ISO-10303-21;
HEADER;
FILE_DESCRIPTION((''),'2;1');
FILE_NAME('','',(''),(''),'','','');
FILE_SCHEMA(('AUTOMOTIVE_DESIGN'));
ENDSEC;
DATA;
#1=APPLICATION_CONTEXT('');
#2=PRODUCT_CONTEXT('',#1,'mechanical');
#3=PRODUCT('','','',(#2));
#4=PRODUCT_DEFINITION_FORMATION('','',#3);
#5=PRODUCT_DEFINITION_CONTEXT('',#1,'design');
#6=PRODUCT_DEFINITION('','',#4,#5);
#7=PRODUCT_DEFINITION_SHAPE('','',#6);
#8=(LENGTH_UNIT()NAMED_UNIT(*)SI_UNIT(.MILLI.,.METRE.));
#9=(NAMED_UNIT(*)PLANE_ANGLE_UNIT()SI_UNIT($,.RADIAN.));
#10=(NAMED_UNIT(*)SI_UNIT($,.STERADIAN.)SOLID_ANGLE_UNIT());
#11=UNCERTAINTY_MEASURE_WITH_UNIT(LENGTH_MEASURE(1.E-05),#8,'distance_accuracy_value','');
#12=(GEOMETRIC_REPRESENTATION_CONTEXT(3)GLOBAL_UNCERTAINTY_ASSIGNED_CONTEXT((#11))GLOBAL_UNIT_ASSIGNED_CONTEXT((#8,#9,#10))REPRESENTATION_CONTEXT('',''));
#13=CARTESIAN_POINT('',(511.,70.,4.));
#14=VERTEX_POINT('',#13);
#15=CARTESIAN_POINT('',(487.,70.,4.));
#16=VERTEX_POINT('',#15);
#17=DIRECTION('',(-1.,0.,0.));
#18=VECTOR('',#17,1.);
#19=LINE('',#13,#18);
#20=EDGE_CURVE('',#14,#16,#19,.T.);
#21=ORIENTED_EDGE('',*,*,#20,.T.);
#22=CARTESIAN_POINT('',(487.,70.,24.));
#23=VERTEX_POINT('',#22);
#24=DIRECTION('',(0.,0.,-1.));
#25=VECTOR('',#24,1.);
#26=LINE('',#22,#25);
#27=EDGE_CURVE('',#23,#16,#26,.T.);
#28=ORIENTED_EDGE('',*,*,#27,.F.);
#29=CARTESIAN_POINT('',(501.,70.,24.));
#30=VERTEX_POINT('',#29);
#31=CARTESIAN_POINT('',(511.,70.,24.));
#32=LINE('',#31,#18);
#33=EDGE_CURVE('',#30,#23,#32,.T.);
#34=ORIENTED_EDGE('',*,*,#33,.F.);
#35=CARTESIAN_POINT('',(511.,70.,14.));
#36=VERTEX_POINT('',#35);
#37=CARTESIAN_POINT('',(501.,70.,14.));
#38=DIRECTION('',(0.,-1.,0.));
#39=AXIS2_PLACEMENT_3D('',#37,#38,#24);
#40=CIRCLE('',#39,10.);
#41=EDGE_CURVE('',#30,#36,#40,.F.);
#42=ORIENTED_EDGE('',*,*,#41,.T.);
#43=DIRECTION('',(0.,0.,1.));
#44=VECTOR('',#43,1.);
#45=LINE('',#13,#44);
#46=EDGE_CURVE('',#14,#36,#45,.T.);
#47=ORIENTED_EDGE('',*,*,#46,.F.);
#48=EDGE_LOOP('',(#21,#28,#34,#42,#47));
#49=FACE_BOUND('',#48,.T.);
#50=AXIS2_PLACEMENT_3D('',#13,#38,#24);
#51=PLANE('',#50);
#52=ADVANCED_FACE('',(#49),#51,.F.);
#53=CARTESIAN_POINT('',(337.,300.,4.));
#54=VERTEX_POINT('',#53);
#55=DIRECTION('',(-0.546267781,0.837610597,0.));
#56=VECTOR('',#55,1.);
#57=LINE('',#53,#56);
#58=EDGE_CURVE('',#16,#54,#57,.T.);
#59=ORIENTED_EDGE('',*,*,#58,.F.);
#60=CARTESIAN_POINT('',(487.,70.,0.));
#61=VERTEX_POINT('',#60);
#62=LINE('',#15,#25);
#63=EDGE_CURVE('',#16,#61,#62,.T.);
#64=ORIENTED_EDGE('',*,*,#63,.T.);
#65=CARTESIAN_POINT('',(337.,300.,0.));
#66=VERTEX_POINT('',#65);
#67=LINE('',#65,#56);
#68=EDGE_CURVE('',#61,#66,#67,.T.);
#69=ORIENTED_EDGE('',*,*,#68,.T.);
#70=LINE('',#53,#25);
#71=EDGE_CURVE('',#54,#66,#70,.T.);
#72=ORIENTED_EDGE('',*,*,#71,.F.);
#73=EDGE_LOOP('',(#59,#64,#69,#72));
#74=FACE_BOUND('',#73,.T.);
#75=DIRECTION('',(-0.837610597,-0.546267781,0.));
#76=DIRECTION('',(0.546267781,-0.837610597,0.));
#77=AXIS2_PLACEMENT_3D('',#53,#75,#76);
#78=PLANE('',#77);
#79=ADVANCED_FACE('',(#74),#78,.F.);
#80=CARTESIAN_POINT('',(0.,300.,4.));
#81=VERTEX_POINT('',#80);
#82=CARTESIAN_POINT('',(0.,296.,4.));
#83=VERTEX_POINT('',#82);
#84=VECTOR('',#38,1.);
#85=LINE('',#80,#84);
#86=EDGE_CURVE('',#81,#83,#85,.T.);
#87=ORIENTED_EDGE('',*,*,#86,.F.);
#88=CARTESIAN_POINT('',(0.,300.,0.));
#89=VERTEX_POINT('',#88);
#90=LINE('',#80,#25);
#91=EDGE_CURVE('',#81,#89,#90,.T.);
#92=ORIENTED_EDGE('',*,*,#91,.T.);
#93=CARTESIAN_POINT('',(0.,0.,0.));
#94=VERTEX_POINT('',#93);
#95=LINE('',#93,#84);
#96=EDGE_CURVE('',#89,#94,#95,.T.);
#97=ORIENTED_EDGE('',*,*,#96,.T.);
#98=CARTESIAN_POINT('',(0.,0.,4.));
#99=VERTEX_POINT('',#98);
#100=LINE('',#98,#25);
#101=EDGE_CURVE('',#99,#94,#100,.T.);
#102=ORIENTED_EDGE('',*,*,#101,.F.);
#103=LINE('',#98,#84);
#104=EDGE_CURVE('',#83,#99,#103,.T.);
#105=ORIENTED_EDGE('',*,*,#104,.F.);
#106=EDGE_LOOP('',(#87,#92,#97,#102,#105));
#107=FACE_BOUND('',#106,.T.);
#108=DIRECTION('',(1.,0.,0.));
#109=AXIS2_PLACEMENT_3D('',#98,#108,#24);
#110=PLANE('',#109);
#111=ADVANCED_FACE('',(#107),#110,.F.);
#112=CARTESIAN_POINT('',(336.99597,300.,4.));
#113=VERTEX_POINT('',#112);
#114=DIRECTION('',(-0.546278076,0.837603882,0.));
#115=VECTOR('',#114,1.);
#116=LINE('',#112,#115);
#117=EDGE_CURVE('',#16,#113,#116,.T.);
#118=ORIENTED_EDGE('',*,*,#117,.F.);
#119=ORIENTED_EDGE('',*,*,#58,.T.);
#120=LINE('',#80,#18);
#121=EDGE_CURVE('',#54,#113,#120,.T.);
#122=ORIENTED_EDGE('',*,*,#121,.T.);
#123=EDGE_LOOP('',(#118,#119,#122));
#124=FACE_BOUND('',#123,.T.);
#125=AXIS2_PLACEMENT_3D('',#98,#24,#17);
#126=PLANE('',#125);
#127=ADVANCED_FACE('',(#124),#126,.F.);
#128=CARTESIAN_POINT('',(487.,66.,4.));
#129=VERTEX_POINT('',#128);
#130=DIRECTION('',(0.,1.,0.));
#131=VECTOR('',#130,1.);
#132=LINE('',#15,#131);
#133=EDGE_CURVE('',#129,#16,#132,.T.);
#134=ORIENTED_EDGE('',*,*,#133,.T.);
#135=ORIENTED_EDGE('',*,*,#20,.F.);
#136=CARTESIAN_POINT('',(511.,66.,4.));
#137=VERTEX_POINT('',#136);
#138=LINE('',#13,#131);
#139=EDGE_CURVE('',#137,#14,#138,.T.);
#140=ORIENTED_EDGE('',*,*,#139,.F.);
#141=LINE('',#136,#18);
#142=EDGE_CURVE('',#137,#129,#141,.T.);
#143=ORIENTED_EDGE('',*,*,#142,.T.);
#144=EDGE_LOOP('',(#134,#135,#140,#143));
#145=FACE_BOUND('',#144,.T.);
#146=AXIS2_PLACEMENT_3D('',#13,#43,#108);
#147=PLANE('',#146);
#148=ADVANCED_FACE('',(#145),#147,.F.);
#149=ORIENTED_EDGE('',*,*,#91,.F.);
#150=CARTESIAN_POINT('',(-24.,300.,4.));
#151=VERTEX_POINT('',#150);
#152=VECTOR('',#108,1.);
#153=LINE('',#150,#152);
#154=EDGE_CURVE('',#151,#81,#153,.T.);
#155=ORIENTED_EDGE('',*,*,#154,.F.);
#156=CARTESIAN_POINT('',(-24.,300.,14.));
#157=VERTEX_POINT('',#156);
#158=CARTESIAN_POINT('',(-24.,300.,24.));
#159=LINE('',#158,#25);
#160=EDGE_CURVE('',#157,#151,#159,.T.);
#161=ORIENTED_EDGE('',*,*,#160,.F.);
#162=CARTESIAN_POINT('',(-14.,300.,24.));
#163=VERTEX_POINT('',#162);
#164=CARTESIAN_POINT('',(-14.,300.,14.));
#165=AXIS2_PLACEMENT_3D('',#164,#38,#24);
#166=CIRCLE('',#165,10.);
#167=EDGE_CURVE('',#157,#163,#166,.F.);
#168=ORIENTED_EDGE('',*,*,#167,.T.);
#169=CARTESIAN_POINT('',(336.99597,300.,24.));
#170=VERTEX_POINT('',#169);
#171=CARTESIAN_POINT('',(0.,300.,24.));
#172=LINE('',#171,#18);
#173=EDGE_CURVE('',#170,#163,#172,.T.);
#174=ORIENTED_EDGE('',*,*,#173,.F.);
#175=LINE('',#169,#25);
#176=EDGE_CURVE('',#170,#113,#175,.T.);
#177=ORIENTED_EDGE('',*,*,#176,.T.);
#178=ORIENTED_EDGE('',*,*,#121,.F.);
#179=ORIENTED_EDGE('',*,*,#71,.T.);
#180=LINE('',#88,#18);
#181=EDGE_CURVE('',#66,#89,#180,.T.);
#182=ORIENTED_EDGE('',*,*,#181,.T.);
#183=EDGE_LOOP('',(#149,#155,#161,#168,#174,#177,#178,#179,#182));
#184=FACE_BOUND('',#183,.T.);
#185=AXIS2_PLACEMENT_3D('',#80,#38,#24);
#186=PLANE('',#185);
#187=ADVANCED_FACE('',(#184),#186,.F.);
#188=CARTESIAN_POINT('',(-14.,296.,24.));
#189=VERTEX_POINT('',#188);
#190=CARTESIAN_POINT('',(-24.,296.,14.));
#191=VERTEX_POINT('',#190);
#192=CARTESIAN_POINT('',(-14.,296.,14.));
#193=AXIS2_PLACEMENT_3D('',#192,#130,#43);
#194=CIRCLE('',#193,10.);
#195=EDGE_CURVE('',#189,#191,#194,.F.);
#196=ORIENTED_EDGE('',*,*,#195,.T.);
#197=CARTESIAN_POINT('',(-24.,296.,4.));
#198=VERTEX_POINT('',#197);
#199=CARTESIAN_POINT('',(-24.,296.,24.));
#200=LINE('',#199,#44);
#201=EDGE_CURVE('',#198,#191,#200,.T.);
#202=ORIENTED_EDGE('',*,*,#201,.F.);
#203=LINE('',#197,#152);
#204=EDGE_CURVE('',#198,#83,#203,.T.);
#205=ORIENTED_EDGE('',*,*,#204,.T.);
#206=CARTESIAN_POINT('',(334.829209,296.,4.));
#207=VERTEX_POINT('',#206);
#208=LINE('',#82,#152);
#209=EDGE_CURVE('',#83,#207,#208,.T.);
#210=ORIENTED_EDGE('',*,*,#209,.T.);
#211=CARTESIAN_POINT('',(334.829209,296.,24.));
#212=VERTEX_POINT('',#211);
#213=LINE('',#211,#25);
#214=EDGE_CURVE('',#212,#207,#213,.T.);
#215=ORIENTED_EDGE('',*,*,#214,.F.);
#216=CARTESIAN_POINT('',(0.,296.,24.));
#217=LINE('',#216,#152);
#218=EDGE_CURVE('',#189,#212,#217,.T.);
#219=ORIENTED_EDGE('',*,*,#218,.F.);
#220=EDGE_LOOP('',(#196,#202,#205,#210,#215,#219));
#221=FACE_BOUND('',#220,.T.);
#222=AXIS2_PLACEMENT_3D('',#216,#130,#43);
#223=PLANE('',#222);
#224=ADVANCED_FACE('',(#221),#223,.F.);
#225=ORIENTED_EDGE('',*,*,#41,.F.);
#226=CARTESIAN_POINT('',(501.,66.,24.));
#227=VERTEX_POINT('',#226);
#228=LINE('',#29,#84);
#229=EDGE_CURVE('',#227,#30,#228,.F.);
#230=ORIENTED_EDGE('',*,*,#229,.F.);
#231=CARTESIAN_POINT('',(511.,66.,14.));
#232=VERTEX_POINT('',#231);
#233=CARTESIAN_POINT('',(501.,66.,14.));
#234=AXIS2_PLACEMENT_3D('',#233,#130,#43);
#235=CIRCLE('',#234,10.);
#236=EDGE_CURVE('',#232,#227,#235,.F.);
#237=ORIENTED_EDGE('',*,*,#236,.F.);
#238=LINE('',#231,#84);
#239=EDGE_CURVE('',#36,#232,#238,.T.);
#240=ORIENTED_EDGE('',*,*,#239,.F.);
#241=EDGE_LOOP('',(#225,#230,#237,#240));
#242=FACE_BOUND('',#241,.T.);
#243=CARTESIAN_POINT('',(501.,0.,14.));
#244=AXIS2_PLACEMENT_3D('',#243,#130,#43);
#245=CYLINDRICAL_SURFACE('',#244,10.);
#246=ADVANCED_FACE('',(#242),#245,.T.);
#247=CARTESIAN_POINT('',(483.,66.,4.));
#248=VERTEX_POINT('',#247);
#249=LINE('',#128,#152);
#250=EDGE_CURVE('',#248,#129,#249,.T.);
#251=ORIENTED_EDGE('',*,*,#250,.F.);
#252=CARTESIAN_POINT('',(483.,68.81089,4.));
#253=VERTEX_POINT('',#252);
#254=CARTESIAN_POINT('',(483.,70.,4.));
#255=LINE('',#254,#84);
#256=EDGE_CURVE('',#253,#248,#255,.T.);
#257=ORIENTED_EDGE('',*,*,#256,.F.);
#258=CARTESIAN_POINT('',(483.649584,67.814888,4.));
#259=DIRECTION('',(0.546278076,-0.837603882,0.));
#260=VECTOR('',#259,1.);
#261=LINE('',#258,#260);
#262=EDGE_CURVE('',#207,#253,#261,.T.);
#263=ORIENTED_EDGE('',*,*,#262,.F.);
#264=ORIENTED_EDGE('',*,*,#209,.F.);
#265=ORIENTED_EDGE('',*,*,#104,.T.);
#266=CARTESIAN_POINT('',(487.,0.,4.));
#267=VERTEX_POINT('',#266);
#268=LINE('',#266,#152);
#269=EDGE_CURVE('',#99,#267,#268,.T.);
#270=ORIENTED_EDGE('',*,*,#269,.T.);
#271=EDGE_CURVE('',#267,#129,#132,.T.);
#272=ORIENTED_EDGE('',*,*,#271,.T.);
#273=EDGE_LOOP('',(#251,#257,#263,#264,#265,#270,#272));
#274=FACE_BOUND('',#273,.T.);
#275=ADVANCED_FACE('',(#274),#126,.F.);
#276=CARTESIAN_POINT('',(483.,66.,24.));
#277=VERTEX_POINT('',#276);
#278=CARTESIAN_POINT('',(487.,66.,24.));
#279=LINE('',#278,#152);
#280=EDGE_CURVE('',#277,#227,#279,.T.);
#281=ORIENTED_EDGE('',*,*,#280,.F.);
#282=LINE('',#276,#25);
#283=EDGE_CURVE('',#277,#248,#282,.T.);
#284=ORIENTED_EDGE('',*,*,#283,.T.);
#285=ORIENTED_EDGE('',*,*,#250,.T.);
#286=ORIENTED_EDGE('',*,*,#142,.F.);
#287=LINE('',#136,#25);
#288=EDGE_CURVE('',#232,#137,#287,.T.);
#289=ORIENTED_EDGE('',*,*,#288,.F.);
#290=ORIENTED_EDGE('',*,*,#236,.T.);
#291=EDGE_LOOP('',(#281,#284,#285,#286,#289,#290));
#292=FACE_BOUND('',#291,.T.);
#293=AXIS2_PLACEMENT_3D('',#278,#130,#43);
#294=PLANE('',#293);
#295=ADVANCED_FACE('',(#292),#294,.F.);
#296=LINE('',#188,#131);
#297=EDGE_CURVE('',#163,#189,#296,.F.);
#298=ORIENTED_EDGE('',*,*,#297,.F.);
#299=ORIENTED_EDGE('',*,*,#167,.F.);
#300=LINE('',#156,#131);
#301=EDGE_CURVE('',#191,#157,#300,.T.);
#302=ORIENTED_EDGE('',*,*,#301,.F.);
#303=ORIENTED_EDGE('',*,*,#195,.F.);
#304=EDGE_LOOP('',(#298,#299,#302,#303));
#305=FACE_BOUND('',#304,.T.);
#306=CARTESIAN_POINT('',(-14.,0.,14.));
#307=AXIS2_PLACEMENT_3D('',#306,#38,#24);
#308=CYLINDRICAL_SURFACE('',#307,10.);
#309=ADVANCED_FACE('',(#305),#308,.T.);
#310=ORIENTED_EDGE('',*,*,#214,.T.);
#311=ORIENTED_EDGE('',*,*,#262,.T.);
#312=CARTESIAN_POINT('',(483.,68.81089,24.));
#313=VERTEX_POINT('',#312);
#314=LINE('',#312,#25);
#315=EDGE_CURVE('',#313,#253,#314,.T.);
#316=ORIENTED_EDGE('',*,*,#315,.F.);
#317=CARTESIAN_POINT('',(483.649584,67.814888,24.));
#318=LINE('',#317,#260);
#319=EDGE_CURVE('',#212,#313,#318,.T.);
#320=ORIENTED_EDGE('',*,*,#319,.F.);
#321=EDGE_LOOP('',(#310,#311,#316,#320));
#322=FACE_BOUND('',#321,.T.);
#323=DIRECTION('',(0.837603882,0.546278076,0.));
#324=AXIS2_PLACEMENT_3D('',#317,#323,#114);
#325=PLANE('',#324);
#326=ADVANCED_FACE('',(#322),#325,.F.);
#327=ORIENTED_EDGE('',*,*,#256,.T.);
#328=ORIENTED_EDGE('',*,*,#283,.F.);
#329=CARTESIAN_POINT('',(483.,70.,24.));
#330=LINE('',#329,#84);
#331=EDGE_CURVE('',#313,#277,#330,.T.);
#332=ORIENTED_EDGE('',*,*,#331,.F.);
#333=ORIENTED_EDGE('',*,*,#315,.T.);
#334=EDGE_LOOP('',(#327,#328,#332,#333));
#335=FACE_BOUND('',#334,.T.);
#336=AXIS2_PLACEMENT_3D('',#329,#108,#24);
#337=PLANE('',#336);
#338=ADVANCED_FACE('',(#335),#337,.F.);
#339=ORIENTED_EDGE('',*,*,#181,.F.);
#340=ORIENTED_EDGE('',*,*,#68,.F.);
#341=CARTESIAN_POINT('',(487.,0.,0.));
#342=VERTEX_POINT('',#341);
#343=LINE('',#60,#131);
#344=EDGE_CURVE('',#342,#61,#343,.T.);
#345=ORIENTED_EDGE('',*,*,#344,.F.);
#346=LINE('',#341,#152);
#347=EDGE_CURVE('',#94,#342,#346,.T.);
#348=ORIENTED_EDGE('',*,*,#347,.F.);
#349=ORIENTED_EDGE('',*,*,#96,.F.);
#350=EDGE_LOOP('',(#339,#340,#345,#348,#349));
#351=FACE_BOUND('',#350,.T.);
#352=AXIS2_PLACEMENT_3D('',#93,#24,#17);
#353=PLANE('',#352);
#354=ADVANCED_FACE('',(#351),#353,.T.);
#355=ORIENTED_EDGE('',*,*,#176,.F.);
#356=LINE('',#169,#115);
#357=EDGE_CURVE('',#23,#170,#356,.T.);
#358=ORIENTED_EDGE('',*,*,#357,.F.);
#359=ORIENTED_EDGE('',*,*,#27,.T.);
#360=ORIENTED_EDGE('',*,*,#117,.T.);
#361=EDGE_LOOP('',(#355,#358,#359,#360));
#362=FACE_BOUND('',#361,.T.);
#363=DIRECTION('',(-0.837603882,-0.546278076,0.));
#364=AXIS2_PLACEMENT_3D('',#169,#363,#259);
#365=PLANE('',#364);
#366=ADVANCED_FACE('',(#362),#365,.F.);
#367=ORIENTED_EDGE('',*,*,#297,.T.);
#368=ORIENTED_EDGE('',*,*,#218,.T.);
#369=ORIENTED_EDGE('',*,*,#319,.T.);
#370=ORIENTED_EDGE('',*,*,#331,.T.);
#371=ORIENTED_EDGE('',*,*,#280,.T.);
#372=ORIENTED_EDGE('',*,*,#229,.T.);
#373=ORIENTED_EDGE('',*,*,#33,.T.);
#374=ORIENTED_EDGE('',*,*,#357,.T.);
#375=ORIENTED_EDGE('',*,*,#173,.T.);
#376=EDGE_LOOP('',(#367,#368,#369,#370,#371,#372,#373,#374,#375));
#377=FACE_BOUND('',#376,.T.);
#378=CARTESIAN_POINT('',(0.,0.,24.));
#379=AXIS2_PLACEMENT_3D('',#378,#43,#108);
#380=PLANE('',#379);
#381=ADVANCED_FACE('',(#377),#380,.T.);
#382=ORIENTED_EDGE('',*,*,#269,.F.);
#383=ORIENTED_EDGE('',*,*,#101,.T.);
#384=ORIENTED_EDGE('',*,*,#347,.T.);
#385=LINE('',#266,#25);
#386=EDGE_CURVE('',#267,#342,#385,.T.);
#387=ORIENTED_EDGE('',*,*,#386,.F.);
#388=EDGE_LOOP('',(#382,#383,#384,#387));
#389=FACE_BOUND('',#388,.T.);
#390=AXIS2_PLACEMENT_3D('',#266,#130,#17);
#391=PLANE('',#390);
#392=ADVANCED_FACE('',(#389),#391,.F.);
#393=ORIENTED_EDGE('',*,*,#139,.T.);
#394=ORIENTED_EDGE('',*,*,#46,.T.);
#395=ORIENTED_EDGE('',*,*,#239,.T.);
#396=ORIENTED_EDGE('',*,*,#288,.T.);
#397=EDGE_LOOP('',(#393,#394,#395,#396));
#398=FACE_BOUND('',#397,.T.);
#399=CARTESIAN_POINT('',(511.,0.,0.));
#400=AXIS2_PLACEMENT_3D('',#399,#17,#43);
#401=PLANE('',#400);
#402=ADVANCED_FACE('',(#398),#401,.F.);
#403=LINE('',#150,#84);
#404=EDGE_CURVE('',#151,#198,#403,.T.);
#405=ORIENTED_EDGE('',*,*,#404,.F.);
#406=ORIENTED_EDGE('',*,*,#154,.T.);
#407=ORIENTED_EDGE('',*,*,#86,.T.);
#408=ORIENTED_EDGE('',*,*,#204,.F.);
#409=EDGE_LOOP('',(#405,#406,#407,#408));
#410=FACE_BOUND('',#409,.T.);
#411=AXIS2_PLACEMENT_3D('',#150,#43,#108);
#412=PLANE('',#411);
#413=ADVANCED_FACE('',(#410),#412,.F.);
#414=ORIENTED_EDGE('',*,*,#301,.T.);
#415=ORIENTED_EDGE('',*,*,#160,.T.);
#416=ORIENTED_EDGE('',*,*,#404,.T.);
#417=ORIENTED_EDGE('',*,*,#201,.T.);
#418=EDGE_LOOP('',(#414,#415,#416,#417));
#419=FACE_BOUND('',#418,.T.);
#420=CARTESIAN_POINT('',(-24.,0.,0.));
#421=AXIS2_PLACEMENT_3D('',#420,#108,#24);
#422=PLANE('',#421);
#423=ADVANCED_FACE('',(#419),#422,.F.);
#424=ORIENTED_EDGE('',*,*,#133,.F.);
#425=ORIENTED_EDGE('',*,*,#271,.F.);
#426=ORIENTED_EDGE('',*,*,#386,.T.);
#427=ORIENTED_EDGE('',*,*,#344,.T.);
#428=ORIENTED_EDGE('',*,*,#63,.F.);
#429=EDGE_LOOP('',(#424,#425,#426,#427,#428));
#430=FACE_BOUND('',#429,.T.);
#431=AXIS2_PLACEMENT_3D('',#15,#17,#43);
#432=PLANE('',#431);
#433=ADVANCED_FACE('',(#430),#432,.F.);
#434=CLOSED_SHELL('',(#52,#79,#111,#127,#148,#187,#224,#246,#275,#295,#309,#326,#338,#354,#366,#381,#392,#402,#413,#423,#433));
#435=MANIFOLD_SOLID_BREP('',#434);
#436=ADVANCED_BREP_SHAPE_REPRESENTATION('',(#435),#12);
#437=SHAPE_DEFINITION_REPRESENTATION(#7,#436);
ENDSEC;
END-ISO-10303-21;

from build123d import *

# Parameters (mm, degrees)
BOSS_EXTRUDE1_DEPTH = 4
SKETCH7_W           = 336.995970405
SKETCH7_H           = 4
BOSS_EXTRUDE2_DEPTH = 20
BOSS_EXTRUDE3_DEPTH = 20
SKETCH9_W           = 4
SKETCH9_H           = 4
BOSS_EXTRUDE4_DEPTH = 20
SKETCH10_W          = 20
SKETCH10_H          = 4
BOSS_EXTRUDE5_DEPTH = 24
SKETCH12_W          = 20
SKETCH12_H          = 4
BOSS_EXTRUDE6_DEPTH = 24
FILLET1_R           = 10


with BuildPart() as part:
    # Sketch1 → Boss-Extrude1 (new body)
    with BuildSketch(Plane.XY):
        Polygon((0, 0), (0, 300), (337, 300), (487, 70), (487, 0), align=None)
    extrude(amount=BOSS_EXTRUDE1_DEPTH)

    # Sketch7 → Boss-Extrude2 (add)
    with BuildSketch(Plane.XY.offset(4)):
        with Locations((168.497985203, 298)):
            Rectangle(SKETCH7_W, SKETCH7_H)
    extrude(amount=BOSS_EXTRUDE2_DEPTH)

    # Sketch8 → Boss-Extrude3 (add)
    with BuildSketch(Plane.XY.offset(4)):
        Polygon((336.995970405, 300), (487, 70), (483.649584471, 67.814887695), (333.645554877, 297.814887695), align=None)
    extrude(amount=BOSS_EXTRUDE3_DEPTH)

    # Sketch9 → Boss-Extrude4 (add)
    with BuildSketch(Plane.XY.offset(4)):
        with Locations((485, 68)):
            Rectangle(SKETCH9_W, SKETCH9_H)
    extrude(amount=BOSS_EXTRUDE4_DEPTH)

    # Sketch10 → Boss-Extrude5 (add)
    with BuildSketch(Plane(origin=(487, 0, 0), x_dir=(0, 0, -1), z_dir=(1, 0, 0))):
        with Locations((-14, 68)):
            Rectangle(SKETCH10_W, SKETCH10_H)
    extrude(amount=BOSS_EXTRUDE5_DEPTH)

    # Sketch12 → Boss-Extrude6 (add)
    with BuildSketch(Plane.ZY):
        with Locations((14, 298)):
            Rectangle(SKETCH12_W, SKETCH12_H)
    extrude(amount=BOSS_EXTRUDE6_DEPTH)

    # Fillet1
    fillet1_edges = [part.edges().sort_by_distance(p)[0] for p in [
        (511, 68, 24),
        (-24, 298, 24),
    ]]
    fillet(fillet1_edges, radius=FILLET1_R)


solid = part.part
